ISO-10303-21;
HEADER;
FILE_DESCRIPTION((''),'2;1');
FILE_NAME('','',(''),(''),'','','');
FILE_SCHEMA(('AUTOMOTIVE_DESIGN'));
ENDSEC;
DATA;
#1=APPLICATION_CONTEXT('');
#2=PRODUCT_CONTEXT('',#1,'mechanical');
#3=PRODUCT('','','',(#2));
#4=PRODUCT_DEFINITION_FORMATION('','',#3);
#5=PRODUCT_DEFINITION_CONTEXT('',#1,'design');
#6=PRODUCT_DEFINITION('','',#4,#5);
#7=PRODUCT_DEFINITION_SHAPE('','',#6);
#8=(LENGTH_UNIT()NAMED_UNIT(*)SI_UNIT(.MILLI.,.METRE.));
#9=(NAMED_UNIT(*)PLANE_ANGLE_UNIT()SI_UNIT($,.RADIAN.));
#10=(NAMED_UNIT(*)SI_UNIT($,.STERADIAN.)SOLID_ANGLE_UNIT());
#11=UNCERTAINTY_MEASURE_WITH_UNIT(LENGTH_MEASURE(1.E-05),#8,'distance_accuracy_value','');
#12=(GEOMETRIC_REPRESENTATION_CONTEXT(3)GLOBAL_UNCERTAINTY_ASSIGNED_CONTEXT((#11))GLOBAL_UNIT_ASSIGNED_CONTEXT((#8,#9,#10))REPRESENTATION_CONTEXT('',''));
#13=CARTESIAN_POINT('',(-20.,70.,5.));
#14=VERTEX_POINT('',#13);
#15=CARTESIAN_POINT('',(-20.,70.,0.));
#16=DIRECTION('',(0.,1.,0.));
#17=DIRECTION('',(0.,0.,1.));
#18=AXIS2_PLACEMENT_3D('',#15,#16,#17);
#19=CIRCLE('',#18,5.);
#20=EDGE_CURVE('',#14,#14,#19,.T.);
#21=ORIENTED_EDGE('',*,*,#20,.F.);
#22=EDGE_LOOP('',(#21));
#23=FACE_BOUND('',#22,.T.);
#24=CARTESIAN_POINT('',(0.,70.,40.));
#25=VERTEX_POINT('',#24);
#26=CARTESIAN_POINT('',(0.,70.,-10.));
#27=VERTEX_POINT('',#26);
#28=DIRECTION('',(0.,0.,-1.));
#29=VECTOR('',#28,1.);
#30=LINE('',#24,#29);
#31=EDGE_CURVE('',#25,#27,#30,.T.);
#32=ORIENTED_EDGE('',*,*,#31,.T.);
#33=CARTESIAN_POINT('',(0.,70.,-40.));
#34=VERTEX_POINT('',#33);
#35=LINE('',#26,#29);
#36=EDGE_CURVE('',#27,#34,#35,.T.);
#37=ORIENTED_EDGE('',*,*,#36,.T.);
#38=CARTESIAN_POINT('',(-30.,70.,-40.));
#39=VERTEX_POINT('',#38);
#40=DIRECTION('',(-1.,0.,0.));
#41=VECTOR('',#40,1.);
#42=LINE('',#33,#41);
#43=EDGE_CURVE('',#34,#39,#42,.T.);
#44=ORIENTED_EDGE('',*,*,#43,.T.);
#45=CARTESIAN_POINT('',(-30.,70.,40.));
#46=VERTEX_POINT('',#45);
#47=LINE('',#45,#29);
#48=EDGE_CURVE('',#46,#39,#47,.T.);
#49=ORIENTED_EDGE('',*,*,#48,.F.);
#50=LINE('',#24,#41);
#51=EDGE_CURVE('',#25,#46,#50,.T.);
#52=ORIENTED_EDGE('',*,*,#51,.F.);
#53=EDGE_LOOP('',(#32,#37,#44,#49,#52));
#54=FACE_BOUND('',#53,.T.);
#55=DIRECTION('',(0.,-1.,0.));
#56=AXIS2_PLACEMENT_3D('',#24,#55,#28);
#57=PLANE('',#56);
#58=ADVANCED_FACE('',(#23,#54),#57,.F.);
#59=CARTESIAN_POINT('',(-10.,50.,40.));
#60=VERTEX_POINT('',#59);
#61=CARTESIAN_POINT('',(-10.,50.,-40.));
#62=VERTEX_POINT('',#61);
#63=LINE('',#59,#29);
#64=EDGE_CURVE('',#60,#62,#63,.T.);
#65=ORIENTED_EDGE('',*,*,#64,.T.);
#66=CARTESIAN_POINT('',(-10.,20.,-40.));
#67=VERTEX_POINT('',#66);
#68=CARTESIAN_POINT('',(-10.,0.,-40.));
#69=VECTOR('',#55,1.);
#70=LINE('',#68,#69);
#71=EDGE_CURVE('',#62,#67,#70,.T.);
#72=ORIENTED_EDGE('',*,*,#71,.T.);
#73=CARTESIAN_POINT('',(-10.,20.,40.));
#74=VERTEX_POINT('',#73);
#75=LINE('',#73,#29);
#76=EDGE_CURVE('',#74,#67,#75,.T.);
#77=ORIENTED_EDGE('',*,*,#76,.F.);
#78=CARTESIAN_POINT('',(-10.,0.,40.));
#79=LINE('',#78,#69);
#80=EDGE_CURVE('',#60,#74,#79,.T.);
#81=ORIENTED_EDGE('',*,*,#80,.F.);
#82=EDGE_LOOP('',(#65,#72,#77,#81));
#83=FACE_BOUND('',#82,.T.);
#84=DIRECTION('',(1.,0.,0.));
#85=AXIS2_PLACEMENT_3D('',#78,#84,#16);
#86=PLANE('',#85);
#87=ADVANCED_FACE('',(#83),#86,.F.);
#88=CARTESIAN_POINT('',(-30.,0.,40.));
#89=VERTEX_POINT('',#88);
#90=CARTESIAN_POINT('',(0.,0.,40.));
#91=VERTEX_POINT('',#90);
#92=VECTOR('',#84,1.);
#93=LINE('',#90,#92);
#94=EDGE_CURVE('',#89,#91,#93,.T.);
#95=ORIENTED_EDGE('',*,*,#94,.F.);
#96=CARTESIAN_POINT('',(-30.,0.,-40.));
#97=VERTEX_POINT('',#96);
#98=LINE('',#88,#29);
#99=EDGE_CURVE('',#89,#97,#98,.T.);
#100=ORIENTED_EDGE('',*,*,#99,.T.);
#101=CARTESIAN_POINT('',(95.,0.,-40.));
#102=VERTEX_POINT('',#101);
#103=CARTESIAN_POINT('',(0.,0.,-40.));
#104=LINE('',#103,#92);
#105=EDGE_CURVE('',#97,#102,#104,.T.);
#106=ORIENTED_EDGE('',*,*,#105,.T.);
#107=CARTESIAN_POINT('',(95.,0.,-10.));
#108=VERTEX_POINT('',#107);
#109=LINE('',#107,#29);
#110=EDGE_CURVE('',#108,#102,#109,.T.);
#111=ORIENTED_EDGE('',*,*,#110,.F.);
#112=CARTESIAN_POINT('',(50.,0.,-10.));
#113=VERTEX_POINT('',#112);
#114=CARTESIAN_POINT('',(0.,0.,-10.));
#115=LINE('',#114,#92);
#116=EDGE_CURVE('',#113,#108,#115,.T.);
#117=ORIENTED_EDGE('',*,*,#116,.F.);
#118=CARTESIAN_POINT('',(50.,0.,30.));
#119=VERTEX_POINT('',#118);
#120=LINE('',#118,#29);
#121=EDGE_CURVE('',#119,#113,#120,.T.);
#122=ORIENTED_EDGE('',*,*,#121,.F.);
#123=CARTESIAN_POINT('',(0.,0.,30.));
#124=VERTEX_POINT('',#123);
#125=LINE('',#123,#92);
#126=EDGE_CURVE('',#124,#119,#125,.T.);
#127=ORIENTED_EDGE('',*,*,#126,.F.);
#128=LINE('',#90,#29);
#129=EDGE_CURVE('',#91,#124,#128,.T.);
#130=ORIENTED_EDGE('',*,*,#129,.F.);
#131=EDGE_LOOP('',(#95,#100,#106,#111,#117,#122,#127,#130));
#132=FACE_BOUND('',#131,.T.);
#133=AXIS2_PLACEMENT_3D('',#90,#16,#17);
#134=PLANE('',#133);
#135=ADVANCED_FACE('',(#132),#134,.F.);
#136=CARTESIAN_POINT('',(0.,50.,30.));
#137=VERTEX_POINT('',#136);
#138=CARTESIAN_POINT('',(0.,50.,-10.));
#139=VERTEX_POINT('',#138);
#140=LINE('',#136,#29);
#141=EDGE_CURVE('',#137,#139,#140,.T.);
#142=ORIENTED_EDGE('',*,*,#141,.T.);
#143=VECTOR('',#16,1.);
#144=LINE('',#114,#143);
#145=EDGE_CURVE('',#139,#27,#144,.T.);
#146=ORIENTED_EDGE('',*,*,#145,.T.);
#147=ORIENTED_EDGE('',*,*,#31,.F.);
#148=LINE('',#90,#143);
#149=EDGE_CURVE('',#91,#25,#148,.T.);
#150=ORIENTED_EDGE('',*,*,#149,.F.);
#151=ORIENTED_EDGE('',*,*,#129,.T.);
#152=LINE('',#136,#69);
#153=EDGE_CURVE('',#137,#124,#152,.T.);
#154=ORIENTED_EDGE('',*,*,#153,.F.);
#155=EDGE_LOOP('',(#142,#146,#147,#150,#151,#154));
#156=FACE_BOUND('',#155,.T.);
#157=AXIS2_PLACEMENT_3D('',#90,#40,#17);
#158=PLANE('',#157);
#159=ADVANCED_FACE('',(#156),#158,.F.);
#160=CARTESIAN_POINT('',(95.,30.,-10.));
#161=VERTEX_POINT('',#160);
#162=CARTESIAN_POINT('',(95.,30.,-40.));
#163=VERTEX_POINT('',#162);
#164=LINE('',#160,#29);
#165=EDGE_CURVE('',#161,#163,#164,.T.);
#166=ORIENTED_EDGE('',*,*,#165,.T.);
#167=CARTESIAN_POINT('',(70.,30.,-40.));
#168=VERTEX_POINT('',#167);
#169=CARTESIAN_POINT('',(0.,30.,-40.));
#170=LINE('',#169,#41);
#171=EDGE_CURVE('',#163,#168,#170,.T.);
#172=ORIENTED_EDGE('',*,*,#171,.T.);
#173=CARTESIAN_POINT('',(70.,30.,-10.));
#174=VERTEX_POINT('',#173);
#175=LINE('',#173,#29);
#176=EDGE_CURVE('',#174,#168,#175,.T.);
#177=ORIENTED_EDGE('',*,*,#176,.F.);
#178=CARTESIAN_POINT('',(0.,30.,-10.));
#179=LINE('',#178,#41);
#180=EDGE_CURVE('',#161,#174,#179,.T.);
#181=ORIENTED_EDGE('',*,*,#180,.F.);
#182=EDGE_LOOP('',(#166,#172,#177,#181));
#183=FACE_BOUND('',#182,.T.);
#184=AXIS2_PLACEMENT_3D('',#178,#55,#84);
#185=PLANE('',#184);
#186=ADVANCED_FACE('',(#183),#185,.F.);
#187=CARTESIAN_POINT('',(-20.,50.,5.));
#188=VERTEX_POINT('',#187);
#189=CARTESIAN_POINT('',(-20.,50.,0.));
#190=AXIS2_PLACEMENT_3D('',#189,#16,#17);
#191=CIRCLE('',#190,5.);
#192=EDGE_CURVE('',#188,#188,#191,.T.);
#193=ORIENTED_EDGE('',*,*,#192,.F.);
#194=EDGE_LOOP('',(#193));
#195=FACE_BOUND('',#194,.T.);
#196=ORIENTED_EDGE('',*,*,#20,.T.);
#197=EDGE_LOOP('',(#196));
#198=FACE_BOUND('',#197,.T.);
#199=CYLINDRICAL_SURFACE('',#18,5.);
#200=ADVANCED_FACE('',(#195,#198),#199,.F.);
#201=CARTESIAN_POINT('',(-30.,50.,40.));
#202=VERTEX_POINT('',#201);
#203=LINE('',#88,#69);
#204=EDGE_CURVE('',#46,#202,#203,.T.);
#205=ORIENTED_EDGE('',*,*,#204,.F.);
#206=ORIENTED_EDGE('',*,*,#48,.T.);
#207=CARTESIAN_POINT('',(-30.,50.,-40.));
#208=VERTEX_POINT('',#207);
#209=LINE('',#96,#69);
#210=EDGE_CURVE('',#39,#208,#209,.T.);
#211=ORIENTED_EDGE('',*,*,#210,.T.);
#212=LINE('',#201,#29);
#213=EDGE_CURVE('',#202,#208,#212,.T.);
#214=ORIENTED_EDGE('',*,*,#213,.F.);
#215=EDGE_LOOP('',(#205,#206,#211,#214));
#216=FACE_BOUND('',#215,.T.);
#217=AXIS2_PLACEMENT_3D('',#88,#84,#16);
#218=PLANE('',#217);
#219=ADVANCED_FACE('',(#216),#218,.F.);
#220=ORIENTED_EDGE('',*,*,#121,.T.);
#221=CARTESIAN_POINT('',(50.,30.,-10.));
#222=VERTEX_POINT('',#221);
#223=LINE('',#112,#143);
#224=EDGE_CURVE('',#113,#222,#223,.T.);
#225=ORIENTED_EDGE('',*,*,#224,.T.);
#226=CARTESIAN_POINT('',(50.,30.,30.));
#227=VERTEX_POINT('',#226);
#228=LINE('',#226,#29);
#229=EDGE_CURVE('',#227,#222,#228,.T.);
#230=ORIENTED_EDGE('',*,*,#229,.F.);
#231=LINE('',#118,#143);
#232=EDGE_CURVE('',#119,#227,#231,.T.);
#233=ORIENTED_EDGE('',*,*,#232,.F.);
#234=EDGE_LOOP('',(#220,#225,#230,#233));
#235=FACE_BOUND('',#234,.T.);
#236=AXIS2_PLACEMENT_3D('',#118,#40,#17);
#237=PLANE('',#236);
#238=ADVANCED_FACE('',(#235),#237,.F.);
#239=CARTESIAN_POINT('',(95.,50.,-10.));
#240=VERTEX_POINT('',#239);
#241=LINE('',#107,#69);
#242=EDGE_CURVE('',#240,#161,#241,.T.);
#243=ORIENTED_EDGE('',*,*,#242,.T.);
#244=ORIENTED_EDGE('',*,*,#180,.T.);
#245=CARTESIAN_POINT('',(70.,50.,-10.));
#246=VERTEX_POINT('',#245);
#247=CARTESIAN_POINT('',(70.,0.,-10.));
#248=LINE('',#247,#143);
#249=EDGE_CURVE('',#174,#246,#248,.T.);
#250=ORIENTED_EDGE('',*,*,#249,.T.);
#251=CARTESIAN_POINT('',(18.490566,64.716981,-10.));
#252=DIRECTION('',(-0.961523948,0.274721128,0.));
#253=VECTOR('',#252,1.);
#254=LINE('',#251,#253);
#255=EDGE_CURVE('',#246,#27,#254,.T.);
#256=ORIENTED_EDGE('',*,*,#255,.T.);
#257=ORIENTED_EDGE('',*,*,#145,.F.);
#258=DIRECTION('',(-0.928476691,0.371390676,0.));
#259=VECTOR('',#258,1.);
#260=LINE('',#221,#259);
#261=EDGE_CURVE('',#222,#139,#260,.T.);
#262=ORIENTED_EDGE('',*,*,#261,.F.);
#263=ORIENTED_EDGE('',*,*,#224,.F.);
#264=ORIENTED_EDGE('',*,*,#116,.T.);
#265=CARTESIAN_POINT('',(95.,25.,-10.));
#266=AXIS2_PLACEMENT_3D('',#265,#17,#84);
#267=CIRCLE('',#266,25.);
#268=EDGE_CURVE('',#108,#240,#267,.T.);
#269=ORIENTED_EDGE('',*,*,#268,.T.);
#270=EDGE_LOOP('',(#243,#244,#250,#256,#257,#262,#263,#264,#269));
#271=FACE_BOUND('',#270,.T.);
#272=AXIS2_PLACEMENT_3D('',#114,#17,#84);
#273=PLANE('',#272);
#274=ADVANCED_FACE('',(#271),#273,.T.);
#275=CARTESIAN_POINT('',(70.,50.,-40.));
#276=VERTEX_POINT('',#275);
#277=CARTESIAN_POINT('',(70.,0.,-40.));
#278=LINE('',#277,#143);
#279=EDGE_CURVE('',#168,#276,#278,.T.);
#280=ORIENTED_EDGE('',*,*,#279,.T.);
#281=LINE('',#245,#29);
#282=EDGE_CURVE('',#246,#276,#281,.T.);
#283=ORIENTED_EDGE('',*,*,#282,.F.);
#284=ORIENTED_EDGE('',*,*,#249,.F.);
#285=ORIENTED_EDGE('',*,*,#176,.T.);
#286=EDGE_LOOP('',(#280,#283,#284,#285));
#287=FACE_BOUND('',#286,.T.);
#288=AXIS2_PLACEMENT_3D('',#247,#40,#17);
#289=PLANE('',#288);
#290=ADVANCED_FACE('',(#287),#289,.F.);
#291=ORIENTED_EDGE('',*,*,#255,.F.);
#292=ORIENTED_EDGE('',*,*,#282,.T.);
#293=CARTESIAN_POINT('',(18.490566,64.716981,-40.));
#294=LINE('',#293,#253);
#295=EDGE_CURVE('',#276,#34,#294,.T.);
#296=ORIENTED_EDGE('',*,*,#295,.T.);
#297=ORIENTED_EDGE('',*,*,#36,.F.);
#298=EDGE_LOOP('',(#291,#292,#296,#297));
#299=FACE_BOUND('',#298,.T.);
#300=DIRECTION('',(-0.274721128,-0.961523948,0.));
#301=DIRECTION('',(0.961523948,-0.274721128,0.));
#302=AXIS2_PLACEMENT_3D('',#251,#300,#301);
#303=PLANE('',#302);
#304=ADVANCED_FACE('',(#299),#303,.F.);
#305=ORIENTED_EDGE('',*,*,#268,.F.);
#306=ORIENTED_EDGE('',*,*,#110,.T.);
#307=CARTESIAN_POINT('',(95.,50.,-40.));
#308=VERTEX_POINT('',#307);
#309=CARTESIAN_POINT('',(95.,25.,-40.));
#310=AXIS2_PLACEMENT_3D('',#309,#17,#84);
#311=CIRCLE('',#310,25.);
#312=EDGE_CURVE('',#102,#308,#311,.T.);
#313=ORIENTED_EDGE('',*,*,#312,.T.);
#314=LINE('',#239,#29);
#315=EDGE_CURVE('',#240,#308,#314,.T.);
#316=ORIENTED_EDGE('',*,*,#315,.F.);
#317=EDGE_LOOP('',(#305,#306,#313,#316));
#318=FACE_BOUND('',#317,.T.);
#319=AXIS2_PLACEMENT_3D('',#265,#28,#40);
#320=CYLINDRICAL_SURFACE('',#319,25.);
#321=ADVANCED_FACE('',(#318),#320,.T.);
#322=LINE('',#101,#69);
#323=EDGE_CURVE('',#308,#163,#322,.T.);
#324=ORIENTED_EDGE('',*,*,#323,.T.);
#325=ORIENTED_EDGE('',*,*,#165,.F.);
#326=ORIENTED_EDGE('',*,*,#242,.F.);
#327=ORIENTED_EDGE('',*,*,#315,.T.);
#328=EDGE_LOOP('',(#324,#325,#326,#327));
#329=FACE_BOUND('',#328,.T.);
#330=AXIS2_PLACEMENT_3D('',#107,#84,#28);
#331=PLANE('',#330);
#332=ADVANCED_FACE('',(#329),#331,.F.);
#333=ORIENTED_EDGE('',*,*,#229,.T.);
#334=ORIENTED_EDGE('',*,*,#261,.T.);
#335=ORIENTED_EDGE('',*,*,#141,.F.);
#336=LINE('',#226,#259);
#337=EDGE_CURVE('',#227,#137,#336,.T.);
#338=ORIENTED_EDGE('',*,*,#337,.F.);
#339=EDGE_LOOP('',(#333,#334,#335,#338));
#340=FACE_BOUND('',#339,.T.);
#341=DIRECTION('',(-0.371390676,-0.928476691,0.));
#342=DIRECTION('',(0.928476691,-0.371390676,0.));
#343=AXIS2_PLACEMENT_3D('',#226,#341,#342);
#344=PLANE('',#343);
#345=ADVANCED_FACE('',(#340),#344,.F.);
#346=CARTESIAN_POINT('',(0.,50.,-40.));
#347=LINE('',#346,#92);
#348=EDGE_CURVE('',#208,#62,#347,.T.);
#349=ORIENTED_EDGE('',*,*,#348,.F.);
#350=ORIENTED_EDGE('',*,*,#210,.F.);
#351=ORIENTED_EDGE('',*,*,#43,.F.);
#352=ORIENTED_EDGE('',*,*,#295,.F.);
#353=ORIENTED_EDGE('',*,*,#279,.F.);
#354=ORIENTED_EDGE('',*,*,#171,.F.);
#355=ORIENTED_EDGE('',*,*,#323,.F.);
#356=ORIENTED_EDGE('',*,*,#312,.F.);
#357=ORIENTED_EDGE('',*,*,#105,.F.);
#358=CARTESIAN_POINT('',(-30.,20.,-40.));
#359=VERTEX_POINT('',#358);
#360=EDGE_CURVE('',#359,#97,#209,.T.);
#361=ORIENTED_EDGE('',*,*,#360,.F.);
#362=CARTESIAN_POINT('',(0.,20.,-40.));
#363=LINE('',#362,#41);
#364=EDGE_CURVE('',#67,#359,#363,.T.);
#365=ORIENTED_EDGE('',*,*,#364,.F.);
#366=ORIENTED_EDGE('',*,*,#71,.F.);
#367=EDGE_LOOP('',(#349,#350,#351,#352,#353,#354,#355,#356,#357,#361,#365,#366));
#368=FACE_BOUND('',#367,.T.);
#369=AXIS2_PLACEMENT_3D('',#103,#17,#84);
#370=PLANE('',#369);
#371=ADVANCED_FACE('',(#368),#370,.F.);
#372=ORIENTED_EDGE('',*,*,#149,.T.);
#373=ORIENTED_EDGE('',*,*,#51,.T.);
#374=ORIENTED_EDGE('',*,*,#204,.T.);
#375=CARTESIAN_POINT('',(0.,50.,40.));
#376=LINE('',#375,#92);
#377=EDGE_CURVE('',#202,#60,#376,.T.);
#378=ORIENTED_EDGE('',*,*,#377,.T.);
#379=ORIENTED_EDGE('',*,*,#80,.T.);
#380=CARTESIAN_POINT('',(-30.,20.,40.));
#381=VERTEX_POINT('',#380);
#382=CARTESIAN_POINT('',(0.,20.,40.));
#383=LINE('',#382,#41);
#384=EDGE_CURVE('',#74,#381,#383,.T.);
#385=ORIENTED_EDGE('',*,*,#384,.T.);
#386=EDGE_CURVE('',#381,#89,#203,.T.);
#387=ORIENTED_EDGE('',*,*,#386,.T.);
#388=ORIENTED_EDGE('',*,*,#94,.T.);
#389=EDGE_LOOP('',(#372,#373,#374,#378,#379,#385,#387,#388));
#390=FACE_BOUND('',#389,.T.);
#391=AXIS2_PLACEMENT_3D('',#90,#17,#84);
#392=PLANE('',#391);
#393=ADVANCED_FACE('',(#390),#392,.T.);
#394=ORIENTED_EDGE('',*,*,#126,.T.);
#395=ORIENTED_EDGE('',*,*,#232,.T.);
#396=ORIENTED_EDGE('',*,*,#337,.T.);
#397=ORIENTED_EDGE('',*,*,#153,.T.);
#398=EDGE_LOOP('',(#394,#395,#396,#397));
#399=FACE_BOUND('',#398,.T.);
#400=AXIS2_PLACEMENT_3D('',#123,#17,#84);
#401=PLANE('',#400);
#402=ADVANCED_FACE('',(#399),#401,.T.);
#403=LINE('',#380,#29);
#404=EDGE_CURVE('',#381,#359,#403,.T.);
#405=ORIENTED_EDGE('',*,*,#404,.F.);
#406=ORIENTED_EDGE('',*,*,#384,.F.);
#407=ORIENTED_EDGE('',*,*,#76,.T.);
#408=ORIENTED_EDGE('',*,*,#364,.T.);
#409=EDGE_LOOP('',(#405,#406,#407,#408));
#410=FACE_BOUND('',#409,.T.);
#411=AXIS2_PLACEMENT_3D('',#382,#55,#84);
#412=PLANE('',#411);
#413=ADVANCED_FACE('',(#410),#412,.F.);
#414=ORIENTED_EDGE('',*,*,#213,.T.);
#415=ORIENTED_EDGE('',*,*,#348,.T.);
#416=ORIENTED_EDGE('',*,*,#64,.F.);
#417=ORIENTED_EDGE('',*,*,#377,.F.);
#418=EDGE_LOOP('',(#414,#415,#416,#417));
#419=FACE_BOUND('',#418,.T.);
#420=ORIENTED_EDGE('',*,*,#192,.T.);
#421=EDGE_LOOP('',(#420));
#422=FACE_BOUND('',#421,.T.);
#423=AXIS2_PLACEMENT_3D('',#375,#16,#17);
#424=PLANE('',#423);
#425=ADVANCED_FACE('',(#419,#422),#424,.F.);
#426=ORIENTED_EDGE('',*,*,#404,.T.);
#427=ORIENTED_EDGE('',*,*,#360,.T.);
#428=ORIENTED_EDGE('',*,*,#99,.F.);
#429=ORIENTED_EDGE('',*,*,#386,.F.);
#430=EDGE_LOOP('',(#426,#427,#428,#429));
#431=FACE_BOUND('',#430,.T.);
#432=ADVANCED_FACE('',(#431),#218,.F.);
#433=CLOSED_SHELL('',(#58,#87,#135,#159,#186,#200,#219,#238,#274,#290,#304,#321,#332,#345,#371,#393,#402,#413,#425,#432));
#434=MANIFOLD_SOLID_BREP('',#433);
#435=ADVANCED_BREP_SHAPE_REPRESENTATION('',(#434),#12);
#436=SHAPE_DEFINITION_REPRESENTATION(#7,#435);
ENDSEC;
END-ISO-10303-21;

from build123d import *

# Parameters (mm, degrees)
BOSS_EXTRUDE1_DEPTH        = 40
BOSS_EXTRUDE2_START        = -40
BOSS_EXTRUDE2_DEPTH        = 30
BOSS_EXTRUDE3_DEPTH        = 40
F_10_0MM_DOWEL_HOLE1_D     = 10
F_10_0MM_DOWEL_HOLE1_DEPTH = 20


with BuildPart() as part:
    # Sketch1 → Boss-Extrude1 (new, symmetric)
    with BuildSketch(Plane.XY):
        Polygon((0, 0), (0, 70), (-30, 70), (-30, 50), (-10, 50), (-10, 20), (-30, 20), (-30, 0), align=None)
    extrude(amount=BOSS_EXTRUDE1_DEPTH, both=True)

    # Sketch1<3> → Boss-Extrude2 (add)
    with BuildSketch(Plane.XY.offset(BOSS_EXTRUDE2_START)):
        Polygon((0, 70), (-30, 70), (-30, 50), (-10, 50), (-10, 20), (-30, 20), (-30, 0), (0, 0), align=None)
        with BuildLine():
            Line((70, 50), (0, 70))
            Line((0, 70), (0, 0))
            Line((0, 0), (95, 0))
            ThreePointArc((95, 0), (120, 25), (95, 50))
            Line((95, 50), (95, 30))
            Line((95, 30), (70, 30))
            Line((70, 30), (70, 50))
        make_face()
    extrude(amount=BOSS_EXTRUDE2_DEPTH)

    # Sketch2 → Boss-Extrude3 (add)
    with BuildSketch(Plane.XY.offset(-10)):
        Polygon((0, 50), (0, 0), (50, 0), (50, 30), align=None)
    extrude(amount=BOSS_EXTRUDE3_DEPTH)

    # Ø10.0mm Dowel Hole1
    with Locations(Plane(origin=(0, 70, 0), x_dir=(1, 0, 0), z_dir=(0, 1, 0))):
        with Locations((-20, 0)):
            Hole(F_10_0MM_DOWEL_HOLE1_D / 2, depth=F_10_0MM_DOWEL_HOLE1_DEPTH)


solid = part.part
